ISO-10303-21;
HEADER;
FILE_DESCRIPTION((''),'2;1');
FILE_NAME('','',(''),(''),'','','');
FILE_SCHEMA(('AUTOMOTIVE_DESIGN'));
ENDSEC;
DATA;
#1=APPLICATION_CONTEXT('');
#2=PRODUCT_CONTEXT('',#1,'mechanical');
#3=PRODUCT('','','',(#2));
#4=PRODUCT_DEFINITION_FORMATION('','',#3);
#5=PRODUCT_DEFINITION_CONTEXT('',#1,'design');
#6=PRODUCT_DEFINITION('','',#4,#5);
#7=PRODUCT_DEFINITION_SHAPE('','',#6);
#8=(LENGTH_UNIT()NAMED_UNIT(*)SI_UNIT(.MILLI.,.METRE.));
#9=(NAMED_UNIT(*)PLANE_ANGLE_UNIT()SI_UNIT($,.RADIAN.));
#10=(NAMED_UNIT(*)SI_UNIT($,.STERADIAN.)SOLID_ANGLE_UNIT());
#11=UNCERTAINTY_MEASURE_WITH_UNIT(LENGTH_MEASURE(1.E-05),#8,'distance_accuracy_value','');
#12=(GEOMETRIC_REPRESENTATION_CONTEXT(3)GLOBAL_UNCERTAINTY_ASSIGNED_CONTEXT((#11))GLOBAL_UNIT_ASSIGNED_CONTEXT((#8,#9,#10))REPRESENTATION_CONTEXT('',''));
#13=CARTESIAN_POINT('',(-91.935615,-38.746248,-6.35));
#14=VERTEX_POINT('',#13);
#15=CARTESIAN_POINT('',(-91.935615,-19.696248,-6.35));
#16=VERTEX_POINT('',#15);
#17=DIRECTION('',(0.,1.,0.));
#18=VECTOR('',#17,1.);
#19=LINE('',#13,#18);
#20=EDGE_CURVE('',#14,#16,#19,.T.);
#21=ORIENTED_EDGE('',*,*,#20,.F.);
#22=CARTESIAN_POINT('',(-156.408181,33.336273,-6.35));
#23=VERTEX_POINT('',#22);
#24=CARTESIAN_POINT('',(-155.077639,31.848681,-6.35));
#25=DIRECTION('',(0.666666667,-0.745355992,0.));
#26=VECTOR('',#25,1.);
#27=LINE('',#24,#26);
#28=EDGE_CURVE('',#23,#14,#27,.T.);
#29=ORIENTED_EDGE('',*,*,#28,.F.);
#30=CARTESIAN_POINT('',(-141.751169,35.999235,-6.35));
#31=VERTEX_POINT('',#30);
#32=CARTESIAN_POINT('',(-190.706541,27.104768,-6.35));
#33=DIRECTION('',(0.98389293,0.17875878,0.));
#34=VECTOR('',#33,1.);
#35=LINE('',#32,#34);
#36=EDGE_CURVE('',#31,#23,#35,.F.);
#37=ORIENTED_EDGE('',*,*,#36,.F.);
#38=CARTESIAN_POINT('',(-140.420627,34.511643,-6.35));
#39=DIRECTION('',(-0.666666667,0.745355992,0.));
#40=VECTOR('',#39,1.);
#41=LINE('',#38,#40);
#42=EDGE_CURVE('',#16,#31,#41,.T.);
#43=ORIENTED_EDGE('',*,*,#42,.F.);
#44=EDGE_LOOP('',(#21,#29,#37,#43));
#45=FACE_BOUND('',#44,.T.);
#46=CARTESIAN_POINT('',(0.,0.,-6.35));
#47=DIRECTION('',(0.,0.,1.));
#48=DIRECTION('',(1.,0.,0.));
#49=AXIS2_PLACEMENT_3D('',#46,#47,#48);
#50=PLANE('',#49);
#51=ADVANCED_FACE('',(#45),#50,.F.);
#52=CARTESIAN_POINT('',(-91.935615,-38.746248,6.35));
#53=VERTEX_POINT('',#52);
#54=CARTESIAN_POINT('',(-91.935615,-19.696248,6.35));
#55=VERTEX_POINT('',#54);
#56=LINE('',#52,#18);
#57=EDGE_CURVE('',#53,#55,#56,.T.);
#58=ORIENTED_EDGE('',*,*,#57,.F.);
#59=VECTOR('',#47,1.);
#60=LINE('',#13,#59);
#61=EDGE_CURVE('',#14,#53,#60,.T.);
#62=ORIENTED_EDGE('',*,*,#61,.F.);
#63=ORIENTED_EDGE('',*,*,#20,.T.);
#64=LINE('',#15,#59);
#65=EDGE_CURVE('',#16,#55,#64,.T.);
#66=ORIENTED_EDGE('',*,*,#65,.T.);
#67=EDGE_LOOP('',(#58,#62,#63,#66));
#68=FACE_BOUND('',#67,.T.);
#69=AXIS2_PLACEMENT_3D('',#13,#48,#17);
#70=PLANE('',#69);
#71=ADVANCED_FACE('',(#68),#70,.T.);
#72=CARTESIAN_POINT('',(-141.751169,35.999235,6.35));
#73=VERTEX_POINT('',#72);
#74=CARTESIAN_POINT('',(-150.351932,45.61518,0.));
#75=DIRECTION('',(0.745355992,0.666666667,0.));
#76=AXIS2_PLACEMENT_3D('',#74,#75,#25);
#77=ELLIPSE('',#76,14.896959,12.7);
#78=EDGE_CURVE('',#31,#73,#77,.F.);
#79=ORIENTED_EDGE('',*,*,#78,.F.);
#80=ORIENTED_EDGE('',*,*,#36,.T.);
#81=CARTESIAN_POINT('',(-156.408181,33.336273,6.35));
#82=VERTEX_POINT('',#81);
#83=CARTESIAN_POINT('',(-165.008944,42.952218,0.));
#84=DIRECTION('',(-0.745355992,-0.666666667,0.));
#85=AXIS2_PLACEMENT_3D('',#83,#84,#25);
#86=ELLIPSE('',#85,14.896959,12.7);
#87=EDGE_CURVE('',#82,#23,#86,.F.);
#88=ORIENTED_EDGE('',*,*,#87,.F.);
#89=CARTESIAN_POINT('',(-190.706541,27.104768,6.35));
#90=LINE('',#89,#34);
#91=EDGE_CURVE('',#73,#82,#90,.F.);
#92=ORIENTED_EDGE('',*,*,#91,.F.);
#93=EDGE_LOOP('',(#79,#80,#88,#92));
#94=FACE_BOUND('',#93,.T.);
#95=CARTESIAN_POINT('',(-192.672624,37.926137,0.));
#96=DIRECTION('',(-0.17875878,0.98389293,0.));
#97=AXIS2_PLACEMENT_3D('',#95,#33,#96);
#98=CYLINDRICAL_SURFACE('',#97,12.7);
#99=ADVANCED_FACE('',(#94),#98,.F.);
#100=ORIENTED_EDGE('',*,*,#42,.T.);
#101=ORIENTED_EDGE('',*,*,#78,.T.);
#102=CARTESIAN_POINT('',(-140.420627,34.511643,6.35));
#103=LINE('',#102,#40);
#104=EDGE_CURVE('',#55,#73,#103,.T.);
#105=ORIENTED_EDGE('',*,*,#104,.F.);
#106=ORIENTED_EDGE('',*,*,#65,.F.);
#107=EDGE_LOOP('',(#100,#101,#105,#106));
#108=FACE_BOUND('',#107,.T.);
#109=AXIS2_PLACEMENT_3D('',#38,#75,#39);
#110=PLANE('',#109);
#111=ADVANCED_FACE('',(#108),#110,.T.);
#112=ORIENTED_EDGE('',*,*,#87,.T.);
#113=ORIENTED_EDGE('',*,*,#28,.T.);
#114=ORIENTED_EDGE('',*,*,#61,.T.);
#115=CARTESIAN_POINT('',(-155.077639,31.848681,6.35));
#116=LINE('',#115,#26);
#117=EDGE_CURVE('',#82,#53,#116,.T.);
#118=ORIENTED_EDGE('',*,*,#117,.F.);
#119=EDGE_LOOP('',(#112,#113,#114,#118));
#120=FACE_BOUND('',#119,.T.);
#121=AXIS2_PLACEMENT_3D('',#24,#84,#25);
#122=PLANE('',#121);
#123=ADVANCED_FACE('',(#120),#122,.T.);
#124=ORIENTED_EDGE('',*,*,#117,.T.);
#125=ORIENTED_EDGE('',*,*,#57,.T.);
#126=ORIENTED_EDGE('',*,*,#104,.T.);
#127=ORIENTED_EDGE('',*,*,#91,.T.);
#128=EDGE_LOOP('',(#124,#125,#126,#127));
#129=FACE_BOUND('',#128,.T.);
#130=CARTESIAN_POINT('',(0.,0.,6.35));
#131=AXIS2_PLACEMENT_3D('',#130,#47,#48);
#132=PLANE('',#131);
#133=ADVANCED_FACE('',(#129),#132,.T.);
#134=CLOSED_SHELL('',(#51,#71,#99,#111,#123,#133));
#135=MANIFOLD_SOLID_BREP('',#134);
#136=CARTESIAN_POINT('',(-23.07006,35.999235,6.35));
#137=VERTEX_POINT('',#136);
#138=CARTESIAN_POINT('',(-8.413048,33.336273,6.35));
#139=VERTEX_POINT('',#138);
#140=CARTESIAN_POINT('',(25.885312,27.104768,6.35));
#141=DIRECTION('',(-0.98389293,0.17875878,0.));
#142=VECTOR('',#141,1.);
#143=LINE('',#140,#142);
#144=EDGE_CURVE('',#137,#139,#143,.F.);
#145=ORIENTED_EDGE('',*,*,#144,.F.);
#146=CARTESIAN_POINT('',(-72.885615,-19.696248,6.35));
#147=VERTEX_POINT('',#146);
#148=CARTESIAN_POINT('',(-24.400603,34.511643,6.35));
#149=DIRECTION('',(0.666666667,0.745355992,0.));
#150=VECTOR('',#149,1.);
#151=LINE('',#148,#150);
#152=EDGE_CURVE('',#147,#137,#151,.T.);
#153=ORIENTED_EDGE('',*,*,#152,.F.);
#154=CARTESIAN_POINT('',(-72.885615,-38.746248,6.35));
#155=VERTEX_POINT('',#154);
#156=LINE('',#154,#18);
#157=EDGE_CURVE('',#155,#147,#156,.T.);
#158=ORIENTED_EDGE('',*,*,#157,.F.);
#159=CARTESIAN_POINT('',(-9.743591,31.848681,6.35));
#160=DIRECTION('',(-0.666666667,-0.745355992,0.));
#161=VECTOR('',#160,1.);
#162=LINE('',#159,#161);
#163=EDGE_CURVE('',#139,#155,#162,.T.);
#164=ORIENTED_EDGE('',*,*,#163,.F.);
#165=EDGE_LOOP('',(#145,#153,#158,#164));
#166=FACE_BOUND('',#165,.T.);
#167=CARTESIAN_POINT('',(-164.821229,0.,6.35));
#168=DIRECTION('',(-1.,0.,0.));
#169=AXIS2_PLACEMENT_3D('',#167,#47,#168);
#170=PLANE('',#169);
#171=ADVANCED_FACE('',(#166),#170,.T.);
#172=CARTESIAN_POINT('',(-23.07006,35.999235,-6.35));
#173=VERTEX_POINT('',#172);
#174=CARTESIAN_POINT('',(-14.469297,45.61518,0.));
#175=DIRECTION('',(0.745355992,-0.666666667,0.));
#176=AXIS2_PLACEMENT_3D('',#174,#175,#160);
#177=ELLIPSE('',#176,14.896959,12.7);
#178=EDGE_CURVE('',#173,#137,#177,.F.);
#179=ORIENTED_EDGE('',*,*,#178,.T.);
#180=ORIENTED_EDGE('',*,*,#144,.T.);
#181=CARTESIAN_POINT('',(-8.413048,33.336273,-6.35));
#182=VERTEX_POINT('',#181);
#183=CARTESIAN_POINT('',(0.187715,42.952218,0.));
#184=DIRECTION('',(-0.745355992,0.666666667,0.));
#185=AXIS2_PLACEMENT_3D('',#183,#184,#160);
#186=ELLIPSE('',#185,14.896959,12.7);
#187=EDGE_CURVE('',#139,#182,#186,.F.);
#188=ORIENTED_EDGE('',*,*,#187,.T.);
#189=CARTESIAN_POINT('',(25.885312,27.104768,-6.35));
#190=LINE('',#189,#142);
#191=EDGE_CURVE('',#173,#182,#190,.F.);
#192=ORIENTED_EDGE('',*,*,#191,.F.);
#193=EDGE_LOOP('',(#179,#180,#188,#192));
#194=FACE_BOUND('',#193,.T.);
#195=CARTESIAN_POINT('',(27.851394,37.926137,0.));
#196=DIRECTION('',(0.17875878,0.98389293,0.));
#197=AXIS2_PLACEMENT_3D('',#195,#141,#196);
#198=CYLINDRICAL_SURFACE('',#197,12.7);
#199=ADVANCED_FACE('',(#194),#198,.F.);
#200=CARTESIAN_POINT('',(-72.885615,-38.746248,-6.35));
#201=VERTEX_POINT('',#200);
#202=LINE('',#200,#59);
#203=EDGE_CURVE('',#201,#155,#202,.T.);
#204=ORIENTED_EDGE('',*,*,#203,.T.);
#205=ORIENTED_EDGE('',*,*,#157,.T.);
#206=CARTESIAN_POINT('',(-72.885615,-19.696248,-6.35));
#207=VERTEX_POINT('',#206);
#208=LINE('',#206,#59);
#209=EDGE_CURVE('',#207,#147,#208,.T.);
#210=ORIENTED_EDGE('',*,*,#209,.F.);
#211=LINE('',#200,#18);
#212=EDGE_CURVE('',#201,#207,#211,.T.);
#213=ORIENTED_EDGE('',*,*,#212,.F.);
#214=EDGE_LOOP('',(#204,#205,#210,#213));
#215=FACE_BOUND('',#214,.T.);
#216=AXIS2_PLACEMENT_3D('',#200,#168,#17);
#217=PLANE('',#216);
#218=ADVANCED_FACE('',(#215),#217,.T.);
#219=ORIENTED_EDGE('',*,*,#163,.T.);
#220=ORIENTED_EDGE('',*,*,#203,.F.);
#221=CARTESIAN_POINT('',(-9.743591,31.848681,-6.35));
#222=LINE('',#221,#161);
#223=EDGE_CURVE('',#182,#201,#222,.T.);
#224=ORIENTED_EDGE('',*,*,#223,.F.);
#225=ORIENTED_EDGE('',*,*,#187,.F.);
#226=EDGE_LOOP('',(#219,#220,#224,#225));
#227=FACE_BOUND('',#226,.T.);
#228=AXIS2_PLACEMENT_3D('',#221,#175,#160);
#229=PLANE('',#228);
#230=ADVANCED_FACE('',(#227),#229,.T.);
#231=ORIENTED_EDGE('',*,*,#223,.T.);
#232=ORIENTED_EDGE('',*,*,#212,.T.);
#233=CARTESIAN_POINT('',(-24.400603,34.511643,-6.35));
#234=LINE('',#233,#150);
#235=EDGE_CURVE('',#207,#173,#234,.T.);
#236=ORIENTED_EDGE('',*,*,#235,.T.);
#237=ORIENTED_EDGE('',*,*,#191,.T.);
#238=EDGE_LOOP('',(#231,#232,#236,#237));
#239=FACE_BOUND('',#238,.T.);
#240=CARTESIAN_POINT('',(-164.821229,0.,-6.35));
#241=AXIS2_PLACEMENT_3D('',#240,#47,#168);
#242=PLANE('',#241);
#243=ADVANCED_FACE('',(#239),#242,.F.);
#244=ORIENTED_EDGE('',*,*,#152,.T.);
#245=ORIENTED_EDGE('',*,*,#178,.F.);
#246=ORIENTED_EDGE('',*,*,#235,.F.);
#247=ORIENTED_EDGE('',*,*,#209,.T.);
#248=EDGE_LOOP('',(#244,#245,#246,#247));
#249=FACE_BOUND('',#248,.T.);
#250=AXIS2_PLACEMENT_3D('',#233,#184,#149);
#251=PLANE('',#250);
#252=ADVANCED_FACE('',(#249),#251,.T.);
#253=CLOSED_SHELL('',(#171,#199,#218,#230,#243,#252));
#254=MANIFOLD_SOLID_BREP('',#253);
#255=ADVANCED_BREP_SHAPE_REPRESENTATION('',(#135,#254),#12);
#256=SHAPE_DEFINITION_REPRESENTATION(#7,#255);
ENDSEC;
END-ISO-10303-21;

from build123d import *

# Parameters (mm, degrees)
BOSS_EXTRUDE1_DEPTH      = 6.35
BOSS_EXTRUDE1_DEPTH_BACK = 6.35
CUT_EXTRUDE2_DEPTH       = 50.8
CUT_EXTRUDE2_DEPTH_BACK  = 50.8
SKETCH7_R                = 12.7


with BuildPart() as part:
    # Sketch1 → Boss-Extrude1 (new, two sides: drawn at the far end of the back side and taken through both)
    with BuildSketch(Plane.XY.offset(-BOSS_EXTRUDE1_DEPTH_BACK)):
        Polygon((-91.935614725, -38.746248277), (-91.935614725, -19.696248277), (-140.420626518, 34.511642852), (-161.42071071, 57.990450746), (-176.077722952, 55.327488605), (-155.07763876, 31.848680712), align=None)
    extrude(amount=BOSS_EXTRUDE1_DEPTH + BOSS_EXTRUDE1_DEPTH_BACK)

    # Sketch7 → Cut-Extrude2 (cut, two sides: drawn at the far end of the back side and taken through both)
    with BuildSketch(Plane(origin=(-129.863636853, -23.594300302, 0), x_dir=(0, 0, 1), z_dir=(-0.9838929304749452, -0.17875877981633442, 0)).offset(-CUT_EXTRUDE2_DEPTH_BACK)):
        with Locations((0, 71.757181279)):
            Circle(SKETCH7_R)
    extrude(amount=CUT_EXTRUDE2_DEPTH + CUT_EXTRUDE2_DEPTH_BACK, mode=Mode.SUBTRACT)


with BuildPart() as cut_extrude2_kept_piece:
    # of the separate pieces the step leaves, the one the design keeps (cut_extrude2_pieces_kept)
    add(part.part.solids().sort_by_distance((-91.935614725, -38.746248277, 6.35))[0])


with BuildPart() as body_2:
    # Mirror6: mirrored copy
    add(cut_extrude2_kept_piece.part.mirror(Plane(origin=(-82.410614725, 0, 0), x_dir=(0, 0, 1), z_dir=(1, 0, 0))))


solid = Compound([cut_extrude2_kept_piece.part, body_2.part])
